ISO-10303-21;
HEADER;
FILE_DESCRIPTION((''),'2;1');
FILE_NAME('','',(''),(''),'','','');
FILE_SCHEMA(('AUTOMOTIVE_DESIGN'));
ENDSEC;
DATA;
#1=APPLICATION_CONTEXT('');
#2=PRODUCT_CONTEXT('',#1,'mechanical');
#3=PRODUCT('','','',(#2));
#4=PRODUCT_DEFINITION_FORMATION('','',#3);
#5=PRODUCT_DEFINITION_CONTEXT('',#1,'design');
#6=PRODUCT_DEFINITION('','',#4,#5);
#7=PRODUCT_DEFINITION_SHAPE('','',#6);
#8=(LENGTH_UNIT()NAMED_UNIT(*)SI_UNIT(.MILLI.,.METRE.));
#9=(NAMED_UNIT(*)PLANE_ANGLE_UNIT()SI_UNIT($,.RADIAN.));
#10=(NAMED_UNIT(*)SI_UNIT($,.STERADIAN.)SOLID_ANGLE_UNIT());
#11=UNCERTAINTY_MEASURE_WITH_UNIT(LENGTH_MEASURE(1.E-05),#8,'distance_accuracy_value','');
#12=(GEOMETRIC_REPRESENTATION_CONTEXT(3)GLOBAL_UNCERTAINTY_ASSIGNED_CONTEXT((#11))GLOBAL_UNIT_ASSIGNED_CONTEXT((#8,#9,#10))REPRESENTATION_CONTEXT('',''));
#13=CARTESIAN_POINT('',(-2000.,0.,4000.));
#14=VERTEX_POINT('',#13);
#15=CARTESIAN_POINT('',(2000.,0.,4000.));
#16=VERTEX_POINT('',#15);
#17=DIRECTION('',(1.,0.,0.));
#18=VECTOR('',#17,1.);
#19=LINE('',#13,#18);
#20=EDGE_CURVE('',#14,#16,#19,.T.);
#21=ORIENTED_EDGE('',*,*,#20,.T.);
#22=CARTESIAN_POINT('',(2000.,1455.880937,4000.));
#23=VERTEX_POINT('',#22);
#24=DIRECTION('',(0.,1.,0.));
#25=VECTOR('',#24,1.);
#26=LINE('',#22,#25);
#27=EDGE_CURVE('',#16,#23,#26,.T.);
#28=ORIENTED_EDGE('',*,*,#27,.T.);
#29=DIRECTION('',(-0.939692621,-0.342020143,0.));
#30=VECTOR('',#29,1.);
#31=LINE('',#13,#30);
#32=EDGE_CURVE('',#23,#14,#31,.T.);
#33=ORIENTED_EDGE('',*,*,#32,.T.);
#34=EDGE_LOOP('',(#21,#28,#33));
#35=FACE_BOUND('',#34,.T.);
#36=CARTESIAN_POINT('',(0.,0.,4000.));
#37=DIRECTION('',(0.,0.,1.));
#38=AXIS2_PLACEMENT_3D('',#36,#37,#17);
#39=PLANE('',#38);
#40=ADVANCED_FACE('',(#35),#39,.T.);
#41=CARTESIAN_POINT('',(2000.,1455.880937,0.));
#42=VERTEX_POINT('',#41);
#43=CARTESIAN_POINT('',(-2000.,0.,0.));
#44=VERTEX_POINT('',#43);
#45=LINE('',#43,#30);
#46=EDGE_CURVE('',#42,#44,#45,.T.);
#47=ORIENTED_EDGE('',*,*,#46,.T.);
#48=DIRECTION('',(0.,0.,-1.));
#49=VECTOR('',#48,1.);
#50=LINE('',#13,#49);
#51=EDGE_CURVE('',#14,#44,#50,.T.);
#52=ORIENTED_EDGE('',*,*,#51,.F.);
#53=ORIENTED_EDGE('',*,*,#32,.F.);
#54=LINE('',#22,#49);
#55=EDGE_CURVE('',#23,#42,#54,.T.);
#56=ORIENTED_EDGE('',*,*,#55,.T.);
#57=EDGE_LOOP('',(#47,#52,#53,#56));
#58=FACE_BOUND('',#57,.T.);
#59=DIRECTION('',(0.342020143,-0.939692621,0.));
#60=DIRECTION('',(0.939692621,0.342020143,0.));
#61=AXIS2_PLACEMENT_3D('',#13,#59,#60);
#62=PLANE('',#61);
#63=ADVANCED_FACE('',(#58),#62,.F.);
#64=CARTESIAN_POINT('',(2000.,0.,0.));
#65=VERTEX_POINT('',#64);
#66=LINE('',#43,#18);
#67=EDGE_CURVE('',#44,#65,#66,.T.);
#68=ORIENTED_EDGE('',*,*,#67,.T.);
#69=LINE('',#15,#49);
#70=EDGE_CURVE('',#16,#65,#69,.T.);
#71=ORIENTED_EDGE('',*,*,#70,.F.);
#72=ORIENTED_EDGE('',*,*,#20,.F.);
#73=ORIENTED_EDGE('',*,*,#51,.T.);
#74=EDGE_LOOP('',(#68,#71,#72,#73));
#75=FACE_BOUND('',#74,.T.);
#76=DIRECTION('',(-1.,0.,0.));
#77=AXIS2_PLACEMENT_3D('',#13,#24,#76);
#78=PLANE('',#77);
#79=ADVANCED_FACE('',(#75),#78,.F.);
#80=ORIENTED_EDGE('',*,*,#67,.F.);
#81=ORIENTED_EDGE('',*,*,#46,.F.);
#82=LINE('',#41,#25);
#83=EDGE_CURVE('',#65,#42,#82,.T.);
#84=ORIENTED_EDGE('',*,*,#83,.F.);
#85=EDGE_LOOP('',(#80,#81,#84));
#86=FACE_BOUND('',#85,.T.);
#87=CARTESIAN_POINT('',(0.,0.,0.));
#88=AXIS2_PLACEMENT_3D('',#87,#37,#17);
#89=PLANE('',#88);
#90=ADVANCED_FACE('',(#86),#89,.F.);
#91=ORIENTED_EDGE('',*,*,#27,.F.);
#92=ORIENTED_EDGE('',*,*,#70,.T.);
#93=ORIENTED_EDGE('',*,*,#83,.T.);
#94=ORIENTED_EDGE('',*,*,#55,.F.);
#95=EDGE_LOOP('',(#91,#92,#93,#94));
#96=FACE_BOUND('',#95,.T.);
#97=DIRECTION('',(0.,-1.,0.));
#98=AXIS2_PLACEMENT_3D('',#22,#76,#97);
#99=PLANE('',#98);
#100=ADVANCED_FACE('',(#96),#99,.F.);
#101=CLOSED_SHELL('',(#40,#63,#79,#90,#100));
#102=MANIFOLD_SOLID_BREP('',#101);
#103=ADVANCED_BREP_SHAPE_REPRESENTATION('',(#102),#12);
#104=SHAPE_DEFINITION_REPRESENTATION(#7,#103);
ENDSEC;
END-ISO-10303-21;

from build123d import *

# Parameters (mm, degrees)
BOSS_EXTRUDE1_DEPTH = 4000


with BuildPart() as part:
    # Sketch1 → Boss-Extrude1 (new body)
    with BuildSketch(Plane.XY):
        Polygon((-2000, 0), (2000, 0), (2000, 1455.880937065), align=None)
    extrude(amount=BOSS_EXTRUDE1_DEPTH)


solid = part.part
